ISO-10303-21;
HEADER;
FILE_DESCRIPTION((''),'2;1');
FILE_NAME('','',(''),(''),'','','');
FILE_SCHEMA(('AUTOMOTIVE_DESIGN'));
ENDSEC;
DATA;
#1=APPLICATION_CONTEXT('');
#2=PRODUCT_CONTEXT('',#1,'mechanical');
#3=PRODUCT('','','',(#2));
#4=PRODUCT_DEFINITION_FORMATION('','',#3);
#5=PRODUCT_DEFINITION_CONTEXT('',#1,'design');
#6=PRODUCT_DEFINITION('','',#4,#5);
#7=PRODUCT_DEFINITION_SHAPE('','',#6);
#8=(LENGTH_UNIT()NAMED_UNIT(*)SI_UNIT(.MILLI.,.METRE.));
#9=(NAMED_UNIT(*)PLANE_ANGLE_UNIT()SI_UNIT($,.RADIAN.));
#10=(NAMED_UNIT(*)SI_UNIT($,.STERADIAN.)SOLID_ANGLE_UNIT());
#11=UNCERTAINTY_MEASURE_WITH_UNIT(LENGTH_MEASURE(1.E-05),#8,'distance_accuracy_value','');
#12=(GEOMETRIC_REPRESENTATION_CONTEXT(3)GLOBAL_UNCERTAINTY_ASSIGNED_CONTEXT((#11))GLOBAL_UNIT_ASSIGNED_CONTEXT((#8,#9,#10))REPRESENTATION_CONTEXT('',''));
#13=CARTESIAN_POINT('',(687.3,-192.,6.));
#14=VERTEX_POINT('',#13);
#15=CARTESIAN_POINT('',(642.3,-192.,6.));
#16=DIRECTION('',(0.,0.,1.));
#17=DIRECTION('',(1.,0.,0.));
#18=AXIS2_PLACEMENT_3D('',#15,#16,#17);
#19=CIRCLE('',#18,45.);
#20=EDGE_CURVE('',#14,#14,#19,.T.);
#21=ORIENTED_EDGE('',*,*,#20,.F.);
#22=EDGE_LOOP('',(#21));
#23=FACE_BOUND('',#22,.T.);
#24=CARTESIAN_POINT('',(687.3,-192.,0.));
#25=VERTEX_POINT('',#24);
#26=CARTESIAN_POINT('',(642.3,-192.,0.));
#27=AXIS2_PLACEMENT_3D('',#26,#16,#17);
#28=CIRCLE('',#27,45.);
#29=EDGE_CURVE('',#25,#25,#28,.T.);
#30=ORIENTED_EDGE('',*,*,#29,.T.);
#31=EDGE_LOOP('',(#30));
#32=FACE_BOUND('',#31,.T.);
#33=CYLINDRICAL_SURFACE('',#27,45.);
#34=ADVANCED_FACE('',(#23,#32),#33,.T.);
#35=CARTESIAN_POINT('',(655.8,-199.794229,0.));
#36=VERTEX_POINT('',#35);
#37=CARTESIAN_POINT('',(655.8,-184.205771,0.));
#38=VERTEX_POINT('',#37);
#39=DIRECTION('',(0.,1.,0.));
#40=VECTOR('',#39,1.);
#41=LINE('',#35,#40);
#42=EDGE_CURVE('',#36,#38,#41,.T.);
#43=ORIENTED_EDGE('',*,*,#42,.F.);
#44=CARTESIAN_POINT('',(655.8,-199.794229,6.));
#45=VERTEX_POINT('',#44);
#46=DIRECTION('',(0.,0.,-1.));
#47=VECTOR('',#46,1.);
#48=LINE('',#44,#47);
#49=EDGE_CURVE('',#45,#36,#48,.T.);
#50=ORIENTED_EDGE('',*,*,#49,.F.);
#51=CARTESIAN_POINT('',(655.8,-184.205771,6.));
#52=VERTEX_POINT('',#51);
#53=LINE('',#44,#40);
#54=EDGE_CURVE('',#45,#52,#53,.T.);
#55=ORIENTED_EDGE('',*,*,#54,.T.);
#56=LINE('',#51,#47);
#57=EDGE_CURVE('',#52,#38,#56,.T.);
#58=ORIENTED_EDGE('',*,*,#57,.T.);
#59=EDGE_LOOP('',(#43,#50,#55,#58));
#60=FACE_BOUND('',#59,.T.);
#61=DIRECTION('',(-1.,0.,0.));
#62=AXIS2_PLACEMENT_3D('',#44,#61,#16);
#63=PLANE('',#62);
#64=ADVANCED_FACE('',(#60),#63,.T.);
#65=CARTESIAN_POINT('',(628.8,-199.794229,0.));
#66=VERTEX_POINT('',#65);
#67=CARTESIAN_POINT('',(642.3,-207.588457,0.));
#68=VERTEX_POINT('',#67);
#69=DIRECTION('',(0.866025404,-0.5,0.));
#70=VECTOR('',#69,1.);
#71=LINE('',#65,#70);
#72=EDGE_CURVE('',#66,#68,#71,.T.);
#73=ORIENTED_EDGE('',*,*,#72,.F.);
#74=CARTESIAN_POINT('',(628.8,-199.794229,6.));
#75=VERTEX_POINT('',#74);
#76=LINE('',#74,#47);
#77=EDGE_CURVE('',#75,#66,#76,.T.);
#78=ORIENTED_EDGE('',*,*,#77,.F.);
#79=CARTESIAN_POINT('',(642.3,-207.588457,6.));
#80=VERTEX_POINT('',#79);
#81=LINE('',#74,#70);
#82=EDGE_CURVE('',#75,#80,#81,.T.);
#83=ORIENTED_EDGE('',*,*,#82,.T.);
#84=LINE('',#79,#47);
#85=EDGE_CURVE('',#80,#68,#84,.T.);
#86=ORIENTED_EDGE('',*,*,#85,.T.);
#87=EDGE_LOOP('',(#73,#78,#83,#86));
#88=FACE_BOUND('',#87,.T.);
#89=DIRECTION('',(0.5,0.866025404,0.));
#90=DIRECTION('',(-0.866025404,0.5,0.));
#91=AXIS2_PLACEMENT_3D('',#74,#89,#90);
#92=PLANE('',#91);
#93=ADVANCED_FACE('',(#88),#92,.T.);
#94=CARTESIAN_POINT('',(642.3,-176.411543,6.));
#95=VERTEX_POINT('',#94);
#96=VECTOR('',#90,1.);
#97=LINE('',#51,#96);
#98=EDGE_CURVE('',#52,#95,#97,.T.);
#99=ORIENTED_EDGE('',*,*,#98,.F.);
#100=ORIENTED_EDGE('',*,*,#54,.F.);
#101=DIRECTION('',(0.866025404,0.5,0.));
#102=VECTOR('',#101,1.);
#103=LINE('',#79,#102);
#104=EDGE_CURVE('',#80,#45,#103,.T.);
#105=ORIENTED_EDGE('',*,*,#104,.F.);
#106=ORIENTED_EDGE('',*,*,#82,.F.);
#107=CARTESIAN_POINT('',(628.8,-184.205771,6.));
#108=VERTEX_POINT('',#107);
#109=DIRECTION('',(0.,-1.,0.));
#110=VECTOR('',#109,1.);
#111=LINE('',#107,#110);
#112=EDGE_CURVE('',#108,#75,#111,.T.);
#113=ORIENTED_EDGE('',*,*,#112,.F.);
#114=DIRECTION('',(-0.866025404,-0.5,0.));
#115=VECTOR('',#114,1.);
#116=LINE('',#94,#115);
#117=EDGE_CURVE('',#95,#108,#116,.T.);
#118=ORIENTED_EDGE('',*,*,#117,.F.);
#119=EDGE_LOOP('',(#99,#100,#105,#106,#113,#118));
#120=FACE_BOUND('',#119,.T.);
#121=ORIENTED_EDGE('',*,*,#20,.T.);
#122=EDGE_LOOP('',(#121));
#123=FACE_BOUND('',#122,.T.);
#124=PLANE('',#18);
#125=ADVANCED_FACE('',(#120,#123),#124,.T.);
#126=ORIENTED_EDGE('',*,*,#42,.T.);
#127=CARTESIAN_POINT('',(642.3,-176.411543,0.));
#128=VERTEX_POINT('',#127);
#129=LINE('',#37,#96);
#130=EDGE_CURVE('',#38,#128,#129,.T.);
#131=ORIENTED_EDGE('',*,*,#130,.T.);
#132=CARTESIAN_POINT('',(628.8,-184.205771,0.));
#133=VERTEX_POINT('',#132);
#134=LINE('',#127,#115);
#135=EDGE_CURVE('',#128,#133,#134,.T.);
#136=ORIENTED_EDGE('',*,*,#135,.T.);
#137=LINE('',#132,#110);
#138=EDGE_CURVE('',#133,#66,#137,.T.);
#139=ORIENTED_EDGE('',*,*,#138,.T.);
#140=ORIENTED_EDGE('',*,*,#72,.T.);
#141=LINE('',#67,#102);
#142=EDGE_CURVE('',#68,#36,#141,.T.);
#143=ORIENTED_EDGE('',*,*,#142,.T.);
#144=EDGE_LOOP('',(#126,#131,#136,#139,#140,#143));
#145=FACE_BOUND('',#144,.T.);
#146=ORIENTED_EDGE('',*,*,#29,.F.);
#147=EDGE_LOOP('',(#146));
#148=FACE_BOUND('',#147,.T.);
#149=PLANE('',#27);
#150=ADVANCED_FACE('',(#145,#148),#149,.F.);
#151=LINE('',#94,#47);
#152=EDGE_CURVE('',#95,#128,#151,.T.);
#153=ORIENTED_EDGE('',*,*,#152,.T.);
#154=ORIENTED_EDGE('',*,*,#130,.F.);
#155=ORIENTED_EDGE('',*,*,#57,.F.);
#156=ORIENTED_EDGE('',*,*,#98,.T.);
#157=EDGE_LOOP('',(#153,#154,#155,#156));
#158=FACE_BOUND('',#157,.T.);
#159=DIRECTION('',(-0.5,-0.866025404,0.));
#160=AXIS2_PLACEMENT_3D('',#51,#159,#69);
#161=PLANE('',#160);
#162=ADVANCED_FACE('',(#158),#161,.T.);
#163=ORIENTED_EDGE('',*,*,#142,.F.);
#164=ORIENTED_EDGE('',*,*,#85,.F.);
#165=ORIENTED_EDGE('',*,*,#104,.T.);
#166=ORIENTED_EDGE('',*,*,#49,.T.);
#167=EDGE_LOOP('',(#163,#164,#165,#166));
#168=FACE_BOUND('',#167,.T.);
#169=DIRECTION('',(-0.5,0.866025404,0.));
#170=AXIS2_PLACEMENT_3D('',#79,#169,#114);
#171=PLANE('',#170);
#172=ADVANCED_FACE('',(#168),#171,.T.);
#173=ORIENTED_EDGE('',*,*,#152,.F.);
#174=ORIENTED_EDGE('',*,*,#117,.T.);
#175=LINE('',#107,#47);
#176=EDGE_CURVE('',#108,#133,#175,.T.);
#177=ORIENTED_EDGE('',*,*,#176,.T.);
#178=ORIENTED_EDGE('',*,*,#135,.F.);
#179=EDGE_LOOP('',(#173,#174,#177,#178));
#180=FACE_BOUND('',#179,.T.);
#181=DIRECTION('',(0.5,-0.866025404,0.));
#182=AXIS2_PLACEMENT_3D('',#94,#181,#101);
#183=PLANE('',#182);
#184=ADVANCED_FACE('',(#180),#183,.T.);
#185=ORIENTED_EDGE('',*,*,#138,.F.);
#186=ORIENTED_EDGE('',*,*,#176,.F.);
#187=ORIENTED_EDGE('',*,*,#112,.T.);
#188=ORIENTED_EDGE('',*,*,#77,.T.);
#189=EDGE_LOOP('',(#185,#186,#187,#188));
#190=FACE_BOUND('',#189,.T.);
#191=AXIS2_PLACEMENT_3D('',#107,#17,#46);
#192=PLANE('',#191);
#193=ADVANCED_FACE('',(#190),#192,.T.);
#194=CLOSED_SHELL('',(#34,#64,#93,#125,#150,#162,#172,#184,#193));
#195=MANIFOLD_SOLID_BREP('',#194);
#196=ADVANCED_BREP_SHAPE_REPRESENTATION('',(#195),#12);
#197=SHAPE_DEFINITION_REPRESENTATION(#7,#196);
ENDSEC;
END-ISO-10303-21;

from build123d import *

# Parameters (mm, degrees)
MODEL_R             = 25
BOSS_EXTRUDE1_DEPTH = 6
BOSS_EXTRUDE2_START = -6
SKETCH2_R           = 45
SKETCH2_R_2         = 25
BOSS_EXTRUDE2_DEPTH = 6


with BuildPart() as part:
    # Model → Boss-Extrude1 (new body)
    with BuildSketch(Plane.XY):
        with Locations((642.3, -192)):
            Circle(MODEL_R)
        Polygon((628.8, -184.205771366), (628.8, -199.794228634), (642.3, -207.588457268), (655.8, -199.794228634), (655.8, -184.205771366), (642.3, -176.411542732), align=None, mode=Mode.SUBTRACT)
    extrude(amount=BOSS_EXTRUDE1_DEPTH)

    # Sketch2 → Boss-Extrude2 (add)
    with BuildSketch(Plane.XY.offset(6).offset(BOSS_EXTRUDE2_START)):
        with Locations((642.3, -192)):
            Circle(SKETCH2_R)
        with Locations((642.3, -192)):
            Circle(SKETCH2_R_2, mode=Mode.SUBTRACT)
    extrude(amount=BOSS_EXTRUDE2_DEPTH)


solid = part.part
